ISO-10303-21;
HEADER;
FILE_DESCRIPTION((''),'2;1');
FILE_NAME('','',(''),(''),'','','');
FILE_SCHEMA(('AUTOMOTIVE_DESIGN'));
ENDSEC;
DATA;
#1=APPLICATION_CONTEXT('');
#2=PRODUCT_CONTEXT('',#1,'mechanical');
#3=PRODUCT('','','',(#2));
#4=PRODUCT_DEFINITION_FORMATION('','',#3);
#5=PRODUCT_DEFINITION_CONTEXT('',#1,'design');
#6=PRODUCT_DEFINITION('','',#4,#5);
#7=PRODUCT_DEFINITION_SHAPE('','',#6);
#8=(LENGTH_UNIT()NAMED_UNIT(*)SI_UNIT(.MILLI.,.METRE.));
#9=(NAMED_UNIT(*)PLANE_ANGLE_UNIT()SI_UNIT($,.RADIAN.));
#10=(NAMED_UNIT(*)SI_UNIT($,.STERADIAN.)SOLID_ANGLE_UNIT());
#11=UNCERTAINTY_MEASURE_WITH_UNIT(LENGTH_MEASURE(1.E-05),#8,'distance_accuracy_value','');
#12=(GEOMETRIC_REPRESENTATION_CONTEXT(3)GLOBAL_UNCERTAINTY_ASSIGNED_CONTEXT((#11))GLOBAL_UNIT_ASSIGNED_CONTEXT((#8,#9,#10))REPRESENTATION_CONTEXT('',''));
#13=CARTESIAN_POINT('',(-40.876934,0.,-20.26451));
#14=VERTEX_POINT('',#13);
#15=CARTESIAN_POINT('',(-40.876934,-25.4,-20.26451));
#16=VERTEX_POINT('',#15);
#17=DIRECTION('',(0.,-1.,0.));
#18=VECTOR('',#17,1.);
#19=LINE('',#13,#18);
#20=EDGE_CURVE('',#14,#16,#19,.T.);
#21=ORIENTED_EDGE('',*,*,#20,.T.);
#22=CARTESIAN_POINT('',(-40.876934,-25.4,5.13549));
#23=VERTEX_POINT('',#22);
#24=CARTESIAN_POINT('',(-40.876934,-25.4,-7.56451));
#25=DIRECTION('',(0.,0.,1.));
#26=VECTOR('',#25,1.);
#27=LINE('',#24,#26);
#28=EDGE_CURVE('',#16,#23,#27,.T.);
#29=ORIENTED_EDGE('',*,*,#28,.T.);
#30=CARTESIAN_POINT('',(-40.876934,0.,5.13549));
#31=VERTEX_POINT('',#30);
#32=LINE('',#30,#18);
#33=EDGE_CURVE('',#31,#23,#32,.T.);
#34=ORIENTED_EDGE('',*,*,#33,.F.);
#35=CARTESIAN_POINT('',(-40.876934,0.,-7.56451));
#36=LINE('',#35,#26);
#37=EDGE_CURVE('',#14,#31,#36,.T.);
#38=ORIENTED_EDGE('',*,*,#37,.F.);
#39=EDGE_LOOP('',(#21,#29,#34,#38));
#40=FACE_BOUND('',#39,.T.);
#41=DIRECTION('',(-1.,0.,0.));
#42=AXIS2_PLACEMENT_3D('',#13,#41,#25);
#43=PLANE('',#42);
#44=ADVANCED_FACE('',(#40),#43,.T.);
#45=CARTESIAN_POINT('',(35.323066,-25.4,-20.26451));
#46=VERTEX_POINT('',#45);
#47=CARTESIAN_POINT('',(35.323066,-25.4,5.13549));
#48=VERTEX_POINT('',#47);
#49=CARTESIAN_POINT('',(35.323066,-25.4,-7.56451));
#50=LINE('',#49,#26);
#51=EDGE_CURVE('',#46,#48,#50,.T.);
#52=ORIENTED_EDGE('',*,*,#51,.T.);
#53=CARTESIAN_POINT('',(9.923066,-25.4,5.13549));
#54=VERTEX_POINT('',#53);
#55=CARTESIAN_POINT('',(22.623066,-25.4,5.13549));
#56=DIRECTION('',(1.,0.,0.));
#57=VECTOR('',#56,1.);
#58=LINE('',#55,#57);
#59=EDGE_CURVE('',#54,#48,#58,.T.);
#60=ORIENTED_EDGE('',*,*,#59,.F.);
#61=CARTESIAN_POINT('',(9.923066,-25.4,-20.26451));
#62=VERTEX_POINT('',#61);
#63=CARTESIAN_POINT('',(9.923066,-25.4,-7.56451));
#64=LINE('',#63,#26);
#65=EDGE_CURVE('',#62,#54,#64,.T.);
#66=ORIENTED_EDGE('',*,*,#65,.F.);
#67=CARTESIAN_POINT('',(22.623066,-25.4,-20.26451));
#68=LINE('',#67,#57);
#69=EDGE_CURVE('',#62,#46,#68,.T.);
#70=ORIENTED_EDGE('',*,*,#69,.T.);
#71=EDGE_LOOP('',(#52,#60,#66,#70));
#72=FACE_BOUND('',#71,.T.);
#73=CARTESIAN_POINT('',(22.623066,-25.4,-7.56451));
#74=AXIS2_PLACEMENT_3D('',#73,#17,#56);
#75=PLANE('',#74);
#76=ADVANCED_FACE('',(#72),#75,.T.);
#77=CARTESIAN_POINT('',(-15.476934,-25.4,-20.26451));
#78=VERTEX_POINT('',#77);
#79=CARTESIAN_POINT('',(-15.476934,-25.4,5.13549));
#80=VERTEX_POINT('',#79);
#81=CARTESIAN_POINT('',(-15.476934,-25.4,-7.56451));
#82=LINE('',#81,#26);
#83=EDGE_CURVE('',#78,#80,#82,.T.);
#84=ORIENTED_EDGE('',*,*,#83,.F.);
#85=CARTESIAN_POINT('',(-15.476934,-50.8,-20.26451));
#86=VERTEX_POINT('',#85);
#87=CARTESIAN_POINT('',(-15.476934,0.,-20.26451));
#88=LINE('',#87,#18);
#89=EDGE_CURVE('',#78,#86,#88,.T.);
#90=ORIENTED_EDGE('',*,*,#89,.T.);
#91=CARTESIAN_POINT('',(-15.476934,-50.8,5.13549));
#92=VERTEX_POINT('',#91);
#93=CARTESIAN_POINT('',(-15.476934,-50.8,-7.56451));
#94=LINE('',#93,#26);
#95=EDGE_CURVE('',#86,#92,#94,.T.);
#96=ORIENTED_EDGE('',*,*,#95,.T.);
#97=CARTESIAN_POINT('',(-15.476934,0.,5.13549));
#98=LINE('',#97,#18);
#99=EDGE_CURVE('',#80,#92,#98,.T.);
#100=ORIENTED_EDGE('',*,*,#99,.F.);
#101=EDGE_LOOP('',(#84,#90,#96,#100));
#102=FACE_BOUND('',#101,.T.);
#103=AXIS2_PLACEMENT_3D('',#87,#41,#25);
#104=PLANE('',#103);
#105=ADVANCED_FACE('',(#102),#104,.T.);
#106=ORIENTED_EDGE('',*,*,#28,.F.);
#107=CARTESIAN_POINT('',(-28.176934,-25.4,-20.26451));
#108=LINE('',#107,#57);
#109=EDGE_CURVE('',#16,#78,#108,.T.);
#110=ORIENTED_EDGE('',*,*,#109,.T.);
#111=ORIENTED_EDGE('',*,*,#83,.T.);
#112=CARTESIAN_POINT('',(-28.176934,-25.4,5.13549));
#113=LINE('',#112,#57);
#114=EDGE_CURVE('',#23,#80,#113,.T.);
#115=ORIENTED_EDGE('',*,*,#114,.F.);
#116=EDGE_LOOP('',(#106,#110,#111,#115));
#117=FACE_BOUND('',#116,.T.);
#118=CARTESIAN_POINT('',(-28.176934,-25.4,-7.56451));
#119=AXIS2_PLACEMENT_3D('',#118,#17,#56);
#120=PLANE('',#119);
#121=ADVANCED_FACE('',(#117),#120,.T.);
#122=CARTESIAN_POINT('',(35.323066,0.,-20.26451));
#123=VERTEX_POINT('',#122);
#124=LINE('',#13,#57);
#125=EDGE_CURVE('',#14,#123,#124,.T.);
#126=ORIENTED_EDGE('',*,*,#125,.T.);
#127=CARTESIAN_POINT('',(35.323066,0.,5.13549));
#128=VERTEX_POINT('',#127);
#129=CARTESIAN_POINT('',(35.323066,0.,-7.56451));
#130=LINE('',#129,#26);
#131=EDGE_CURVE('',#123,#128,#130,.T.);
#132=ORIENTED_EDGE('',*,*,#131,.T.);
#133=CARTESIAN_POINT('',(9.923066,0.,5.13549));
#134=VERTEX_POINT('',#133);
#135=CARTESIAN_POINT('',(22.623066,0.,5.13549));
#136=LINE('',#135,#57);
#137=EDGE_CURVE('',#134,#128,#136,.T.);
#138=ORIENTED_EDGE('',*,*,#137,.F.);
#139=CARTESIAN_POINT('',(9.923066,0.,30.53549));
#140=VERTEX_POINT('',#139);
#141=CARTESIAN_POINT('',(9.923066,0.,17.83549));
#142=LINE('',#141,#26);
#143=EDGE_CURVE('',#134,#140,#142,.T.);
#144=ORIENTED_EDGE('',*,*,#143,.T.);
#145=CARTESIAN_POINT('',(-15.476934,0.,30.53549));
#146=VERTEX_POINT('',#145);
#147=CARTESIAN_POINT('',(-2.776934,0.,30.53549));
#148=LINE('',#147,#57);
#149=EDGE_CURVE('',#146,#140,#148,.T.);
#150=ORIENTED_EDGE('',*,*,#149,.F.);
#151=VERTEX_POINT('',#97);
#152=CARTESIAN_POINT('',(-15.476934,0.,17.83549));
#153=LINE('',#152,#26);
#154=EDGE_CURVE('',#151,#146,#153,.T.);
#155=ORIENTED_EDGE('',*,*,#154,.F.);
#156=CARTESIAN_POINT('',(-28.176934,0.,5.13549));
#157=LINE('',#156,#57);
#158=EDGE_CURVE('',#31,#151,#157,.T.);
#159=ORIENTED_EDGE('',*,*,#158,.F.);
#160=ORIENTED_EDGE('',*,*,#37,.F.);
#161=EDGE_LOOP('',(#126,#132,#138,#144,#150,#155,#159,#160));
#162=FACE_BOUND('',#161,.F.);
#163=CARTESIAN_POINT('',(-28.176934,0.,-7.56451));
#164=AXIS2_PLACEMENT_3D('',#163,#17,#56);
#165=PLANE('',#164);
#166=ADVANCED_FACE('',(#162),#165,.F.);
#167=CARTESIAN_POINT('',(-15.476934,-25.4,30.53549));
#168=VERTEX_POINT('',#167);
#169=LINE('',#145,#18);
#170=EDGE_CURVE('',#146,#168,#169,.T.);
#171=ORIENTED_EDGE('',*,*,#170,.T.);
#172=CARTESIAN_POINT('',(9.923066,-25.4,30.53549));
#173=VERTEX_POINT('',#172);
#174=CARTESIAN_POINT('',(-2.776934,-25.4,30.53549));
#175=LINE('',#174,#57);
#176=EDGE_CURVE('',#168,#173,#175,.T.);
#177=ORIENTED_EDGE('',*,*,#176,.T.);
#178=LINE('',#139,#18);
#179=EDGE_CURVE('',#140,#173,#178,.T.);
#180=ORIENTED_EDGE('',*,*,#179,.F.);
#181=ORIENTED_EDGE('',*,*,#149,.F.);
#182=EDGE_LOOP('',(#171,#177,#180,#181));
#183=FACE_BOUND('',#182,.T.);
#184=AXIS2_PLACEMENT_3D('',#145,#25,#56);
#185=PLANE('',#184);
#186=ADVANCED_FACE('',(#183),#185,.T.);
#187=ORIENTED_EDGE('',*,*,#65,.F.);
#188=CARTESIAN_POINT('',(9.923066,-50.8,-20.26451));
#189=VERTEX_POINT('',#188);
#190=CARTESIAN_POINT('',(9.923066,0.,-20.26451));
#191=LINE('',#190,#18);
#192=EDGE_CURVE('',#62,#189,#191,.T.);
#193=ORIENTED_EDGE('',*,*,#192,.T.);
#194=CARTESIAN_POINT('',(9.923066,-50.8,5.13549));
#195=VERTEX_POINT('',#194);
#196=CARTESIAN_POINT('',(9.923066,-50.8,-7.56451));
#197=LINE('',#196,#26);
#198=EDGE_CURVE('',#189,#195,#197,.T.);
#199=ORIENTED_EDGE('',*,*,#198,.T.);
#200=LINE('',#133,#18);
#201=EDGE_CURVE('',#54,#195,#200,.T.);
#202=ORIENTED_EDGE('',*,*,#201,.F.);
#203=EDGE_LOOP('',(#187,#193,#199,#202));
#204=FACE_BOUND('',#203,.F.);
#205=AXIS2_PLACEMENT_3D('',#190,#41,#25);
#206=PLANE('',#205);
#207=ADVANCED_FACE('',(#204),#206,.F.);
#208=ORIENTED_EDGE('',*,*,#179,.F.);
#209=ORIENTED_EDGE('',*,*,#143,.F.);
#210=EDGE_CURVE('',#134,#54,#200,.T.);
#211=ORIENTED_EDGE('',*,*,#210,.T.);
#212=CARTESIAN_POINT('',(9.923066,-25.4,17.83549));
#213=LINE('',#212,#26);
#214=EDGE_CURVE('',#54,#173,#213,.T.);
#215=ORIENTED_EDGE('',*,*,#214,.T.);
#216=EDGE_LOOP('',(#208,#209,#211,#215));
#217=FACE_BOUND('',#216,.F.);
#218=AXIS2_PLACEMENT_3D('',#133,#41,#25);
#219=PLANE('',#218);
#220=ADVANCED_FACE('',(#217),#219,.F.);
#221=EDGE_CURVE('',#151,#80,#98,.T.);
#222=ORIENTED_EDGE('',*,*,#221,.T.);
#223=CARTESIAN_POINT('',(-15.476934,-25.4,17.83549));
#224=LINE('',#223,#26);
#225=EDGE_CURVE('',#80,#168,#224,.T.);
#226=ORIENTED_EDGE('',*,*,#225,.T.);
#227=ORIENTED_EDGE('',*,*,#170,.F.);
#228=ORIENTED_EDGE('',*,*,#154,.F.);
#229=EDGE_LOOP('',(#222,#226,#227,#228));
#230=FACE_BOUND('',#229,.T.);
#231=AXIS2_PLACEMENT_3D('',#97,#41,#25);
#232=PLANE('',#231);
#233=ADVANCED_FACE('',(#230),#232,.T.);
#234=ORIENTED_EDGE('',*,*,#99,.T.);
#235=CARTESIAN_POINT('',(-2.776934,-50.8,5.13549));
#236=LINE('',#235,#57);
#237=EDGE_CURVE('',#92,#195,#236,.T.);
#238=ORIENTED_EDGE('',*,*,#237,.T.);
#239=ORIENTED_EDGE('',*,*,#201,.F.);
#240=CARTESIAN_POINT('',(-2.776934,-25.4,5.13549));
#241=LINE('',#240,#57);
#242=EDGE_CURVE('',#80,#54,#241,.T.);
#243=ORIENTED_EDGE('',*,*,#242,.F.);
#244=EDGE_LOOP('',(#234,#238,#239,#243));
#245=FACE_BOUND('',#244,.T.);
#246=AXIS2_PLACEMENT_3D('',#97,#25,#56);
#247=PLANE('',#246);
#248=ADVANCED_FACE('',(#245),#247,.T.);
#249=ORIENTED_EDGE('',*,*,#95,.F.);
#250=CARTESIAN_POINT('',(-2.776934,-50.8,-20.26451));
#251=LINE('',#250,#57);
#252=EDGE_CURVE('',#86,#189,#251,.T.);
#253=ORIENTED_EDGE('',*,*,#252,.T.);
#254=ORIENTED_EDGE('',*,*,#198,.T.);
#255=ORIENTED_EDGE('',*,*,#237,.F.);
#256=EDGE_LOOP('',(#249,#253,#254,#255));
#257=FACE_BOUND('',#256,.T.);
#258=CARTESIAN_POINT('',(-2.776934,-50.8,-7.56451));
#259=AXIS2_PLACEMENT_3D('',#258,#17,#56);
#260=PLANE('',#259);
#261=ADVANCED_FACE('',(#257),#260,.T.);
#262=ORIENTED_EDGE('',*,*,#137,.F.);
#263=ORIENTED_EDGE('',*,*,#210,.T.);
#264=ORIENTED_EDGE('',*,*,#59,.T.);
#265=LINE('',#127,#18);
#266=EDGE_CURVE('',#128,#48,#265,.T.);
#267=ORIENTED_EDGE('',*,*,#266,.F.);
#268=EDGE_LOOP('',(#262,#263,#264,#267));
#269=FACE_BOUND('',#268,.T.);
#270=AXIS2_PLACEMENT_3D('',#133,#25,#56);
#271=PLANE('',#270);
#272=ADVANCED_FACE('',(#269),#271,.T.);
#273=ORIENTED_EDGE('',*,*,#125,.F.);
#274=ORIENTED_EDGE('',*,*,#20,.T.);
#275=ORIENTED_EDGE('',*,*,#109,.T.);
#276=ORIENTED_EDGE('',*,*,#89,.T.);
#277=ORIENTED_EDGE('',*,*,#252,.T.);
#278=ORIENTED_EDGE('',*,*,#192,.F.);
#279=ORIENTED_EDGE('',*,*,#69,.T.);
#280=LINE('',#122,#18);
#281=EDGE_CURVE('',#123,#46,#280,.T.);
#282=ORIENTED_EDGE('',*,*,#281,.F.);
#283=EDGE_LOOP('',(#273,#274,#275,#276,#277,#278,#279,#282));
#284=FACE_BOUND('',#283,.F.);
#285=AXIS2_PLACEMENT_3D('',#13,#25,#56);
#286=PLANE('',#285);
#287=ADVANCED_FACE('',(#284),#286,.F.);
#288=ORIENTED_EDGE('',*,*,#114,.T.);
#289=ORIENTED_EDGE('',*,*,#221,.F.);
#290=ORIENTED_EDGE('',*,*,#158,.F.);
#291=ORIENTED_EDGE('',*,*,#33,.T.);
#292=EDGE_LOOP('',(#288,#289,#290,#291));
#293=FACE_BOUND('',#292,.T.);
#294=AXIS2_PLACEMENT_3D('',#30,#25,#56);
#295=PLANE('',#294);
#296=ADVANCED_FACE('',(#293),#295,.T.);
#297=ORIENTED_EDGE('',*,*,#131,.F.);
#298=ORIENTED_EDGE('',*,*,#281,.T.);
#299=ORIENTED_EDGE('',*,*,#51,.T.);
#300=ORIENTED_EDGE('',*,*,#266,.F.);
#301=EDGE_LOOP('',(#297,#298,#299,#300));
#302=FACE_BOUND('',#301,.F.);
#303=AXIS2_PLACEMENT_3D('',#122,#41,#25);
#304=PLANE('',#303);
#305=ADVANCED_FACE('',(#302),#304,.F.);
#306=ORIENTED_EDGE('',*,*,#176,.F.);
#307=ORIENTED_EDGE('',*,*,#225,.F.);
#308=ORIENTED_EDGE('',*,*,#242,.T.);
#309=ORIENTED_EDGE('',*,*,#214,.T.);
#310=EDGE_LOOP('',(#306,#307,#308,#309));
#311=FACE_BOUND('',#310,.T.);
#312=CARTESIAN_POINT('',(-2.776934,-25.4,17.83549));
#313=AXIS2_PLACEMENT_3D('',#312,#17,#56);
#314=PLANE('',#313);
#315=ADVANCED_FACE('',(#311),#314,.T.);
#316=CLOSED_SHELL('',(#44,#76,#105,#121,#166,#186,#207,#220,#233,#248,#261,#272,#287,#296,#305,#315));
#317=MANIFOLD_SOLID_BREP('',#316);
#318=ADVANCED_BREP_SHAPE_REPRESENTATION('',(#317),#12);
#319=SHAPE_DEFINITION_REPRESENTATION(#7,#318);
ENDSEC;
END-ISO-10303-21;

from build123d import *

# Parameters (mm, degrees)
F0_W     = 25.4
F0_H     = 25.4
F1_DEPTH = 50.8
F2_DEPTH = 25.4


with BuildPart() as f1:
    # F0 (on Front) → F1 (new body)
    with BuildSketch(Plane.XZ):
        with Locations((-2.776934, -7.56451)):
            Rectangle(F0_W, F0_H)
    extrude(amount=F1_DEPTH)

    # F0 (on Front) → F2 (join)
    with BuildSketch(Plane.XZ):
        with Locations((-28.176934, -7.56451)):
            Rectangle(F0_W, F0_H)
        with Locations((-2.776934, 17.83549)):
            Rectangle(F0_W, F0_H)
        with Locations((22.623066, -7.56451)):
            Rectangle(F0_W, F0_H)
    extrude(amount=F2_DEPTH)


solid = f1.part
